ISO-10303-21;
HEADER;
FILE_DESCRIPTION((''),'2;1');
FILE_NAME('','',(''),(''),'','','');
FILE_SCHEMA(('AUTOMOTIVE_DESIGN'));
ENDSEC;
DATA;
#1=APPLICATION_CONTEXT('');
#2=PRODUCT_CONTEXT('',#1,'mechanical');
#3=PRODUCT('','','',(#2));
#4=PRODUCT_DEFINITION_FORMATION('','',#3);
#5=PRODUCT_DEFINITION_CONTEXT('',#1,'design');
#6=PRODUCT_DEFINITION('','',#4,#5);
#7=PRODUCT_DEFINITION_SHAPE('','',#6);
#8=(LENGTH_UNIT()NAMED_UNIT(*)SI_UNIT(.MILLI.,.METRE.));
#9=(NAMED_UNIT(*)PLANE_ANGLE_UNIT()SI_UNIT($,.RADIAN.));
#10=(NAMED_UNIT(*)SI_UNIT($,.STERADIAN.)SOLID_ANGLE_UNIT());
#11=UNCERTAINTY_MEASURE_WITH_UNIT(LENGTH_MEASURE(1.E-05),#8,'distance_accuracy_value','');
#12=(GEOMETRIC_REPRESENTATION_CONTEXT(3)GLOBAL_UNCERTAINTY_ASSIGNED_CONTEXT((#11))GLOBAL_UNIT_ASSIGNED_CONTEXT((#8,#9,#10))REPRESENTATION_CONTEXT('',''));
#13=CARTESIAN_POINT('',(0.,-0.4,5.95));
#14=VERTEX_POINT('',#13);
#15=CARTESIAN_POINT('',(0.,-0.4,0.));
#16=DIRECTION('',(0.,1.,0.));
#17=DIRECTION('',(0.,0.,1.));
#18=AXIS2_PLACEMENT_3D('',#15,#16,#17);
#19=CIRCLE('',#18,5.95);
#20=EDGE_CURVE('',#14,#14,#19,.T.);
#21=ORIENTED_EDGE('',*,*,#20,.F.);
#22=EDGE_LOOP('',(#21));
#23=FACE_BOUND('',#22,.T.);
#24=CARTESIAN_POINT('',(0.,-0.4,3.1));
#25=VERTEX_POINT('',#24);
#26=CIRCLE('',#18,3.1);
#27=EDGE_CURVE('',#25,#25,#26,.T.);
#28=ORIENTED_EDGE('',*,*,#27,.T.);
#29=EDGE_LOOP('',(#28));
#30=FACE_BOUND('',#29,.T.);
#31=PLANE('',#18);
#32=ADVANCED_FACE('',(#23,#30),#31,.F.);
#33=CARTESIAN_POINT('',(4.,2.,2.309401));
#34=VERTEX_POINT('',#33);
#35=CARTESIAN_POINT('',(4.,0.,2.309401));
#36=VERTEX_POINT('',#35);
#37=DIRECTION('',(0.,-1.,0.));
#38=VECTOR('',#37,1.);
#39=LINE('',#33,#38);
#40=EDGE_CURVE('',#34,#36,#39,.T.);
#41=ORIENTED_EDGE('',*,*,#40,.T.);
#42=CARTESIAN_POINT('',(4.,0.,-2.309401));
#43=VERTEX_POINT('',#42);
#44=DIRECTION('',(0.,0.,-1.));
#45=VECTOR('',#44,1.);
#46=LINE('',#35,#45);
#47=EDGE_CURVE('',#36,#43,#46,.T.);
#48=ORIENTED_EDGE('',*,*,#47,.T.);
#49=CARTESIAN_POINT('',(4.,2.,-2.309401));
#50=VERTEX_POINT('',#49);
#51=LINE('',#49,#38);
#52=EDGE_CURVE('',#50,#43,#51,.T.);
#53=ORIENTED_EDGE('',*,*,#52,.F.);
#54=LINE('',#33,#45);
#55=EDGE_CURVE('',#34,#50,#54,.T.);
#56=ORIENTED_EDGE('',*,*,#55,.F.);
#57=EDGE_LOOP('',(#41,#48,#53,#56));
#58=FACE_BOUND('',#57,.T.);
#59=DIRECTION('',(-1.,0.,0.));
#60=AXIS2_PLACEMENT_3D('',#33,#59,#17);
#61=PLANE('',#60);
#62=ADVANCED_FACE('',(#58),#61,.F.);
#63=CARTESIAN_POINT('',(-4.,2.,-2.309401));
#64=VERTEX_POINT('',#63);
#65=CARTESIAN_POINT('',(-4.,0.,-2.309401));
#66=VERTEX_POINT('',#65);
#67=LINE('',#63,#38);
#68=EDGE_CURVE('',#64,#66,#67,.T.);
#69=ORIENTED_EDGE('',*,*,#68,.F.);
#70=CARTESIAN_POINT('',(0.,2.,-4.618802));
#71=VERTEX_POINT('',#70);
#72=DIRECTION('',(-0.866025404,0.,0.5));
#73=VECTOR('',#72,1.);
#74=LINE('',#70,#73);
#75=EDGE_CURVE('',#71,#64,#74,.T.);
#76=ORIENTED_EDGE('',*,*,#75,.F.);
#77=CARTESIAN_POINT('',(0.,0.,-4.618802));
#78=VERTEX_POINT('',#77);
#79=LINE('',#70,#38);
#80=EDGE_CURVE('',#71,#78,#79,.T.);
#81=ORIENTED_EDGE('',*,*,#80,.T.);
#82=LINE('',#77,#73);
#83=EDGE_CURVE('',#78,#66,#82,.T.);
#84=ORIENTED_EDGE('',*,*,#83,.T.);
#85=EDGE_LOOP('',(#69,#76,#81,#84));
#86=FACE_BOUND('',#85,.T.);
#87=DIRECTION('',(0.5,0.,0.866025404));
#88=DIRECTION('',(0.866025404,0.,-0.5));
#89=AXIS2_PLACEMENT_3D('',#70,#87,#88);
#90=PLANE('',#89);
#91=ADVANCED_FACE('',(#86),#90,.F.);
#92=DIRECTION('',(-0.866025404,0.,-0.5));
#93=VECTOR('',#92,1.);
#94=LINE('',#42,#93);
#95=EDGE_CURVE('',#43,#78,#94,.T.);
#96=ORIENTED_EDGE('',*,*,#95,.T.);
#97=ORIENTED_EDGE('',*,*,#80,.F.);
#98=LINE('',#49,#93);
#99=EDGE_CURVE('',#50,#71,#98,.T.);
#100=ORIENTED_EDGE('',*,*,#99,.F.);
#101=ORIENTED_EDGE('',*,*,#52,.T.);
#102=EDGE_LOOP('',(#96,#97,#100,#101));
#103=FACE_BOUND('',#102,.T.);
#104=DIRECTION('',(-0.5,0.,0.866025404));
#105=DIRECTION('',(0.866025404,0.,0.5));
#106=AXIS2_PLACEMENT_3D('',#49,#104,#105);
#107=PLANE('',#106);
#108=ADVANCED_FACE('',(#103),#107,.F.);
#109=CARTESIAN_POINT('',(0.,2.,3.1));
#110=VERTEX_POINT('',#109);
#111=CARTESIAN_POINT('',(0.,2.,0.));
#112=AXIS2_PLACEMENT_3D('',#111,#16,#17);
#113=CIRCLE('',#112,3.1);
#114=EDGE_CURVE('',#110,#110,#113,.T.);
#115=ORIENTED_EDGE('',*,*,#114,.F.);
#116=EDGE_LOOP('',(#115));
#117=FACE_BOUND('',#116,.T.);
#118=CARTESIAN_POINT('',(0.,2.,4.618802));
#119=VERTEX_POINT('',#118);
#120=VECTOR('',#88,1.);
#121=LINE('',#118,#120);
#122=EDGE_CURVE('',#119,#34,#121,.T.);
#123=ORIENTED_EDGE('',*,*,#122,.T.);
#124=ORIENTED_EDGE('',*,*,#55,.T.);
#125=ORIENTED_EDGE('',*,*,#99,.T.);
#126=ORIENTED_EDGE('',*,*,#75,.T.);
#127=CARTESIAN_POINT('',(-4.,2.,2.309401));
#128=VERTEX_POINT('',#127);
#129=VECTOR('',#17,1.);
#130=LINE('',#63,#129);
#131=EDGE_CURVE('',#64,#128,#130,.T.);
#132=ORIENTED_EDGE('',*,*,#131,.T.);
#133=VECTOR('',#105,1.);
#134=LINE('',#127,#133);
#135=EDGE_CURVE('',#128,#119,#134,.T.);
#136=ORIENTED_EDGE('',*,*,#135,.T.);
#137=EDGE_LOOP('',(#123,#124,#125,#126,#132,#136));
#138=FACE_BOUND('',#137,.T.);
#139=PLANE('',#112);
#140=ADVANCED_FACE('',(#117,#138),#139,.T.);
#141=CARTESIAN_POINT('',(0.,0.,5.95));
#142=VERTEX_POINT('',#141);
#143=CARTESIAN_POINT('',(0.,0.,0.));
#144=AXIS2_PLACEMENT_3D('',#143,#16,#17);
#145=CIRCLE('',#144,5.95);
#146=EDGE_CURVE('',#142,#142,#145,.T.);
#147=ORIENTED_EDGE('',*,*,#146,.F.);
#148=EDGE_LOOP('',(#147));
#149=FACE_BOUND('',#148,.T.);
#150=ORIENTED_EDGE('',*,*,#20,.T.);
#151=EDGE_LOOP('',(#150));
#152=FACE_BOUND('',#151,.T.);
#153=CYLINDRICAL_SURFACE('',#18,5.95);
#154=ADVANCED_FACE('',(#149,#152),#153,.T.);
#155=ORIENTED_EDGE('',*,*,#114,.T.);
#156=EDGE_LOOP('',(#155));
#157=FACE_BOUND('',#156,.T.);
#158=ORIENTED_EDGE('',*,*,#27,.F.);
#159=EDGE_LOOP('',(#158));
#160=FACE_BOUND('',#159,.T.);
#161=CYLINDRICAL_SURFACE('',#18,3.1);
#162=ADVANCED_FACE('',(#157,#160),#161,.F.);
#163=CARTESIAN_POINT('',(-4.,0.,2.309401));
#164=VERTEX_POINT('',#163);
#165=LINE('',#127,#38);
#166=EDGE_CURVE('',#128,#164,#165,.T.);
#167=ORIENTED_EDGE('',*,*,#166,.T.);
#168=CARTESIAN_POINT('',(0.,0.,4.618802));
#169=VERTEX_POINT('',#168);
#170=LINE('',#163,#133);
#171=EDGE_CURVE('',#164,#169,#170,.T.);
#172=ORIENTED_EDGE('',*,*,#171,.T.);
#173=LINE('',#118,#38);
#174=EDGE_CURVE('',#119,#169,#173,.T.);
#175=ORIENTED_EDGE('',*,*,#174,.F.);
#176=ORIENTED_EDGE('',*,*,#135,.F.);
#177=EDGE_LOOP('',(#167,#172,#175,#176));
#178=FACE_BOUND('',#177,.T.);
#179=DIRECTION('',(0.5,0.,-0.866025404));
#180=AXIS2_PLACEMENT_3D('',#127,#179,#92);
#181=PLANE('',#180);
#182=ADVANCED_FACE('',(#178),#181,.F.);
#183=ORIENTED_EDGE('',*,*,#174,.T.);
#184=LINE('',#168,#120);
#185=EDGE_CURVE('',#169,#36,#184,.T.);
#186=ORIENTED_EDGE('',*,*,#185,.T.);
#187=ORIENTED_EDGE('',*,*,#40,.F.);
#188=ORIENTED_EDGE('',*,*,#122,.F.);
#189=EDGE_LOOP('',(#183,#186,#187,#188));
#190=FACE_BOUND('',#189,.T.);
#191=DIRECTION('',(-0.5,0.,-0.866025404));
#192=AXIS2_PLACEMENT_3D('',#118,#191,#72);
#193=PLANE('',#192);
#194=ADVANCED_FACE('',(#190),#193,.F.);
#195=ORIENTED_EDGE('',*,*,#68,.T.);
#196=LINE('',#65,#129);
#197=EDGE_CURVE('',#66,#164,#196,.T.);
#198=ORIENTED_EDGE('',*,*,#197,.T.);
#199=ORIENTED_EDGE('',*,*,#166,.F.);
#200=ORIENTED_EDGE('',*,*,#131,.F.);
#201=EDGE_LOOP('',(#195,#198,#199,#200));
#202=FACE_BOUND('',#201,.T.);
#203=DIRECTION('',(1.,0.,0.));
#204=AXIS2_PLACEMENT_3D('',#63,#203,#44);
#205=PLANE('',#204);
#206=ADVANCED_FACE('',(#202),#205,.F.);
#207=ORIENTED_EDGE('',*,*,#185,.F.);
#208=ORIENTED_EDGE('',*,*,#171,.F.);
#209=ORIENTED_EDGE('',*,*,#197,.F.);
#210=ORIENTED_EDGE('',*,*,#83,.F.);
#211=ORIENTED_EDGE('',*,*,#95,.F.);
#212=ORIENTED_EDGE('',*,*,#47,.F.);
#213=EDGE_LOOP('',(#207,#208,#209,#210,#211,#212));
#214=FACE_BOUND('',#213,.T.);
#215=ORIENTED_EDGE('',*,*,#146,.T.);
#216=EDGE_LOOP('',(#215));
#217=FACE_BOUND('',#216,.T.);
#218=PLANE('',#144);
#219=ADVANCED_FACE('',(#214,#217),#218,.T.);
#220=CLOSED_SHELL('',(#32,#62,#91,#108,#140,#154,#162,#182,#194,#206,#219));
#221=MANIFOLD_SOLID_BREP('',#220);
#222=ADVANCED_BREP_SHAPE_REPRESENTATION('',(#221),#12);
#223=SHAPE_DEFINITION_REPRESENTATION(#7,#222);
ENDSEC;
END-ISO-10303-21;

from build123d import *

# Parameters (mm, degrees)
SKETCH1_R           = 5.95
SKETCH1_R_2         = 3.1
BOSS_EXTRUDE1_DEPTH = 0.4
BOSS_EXTRUDE2_START = 2
SKETCH2_R           = 3.1
BOSS_EXTRUDE2_DEPTH = 2


with BuildPart() as part:
    # Sketch1 → Boss-Extrude1 (new body)
    with BuildSketch(Plane(origin=(0, 0, 0), x_dir=(1, 0, 0), z_dir=(0, 1, 0))):
        with Locations(Location((0, 0, 0), (0, 0, 270))):
            Circle(SKETCH1_R)
        with Locations(Location((0, 0, 0), (0, 0, 270))):
            Circle(SKETCH1_R_2, mode=Mode.SUBTRACT)
    extrude(amount=-BOSS_EXTRUDE1_DEPTH)

    # Sketch2 → Boss-Extrude2 (add)
    with BuildSketch(Plane(origin=(0, 0, 0), x_dir=(1, 0, 0), z_dir=(0, 1, 0)).offset(BOSS_EXTRUDE2_START)):
        Polygon((-4, -2.309401077), (0, -4.618802154), (4, -2.309401077), (4, 2.309401077), (0, 4.618802154), (-4, 2.309401077), align=None)
        with Locations(Location((0, 0, 0), (0, 0, 270))):
            Circle(SKETCH2_R, mode=Mode.SUBTRACT)
    extrude(amount=-BOSS_EXTRUDE2_DEPTH)


solid = part.part
